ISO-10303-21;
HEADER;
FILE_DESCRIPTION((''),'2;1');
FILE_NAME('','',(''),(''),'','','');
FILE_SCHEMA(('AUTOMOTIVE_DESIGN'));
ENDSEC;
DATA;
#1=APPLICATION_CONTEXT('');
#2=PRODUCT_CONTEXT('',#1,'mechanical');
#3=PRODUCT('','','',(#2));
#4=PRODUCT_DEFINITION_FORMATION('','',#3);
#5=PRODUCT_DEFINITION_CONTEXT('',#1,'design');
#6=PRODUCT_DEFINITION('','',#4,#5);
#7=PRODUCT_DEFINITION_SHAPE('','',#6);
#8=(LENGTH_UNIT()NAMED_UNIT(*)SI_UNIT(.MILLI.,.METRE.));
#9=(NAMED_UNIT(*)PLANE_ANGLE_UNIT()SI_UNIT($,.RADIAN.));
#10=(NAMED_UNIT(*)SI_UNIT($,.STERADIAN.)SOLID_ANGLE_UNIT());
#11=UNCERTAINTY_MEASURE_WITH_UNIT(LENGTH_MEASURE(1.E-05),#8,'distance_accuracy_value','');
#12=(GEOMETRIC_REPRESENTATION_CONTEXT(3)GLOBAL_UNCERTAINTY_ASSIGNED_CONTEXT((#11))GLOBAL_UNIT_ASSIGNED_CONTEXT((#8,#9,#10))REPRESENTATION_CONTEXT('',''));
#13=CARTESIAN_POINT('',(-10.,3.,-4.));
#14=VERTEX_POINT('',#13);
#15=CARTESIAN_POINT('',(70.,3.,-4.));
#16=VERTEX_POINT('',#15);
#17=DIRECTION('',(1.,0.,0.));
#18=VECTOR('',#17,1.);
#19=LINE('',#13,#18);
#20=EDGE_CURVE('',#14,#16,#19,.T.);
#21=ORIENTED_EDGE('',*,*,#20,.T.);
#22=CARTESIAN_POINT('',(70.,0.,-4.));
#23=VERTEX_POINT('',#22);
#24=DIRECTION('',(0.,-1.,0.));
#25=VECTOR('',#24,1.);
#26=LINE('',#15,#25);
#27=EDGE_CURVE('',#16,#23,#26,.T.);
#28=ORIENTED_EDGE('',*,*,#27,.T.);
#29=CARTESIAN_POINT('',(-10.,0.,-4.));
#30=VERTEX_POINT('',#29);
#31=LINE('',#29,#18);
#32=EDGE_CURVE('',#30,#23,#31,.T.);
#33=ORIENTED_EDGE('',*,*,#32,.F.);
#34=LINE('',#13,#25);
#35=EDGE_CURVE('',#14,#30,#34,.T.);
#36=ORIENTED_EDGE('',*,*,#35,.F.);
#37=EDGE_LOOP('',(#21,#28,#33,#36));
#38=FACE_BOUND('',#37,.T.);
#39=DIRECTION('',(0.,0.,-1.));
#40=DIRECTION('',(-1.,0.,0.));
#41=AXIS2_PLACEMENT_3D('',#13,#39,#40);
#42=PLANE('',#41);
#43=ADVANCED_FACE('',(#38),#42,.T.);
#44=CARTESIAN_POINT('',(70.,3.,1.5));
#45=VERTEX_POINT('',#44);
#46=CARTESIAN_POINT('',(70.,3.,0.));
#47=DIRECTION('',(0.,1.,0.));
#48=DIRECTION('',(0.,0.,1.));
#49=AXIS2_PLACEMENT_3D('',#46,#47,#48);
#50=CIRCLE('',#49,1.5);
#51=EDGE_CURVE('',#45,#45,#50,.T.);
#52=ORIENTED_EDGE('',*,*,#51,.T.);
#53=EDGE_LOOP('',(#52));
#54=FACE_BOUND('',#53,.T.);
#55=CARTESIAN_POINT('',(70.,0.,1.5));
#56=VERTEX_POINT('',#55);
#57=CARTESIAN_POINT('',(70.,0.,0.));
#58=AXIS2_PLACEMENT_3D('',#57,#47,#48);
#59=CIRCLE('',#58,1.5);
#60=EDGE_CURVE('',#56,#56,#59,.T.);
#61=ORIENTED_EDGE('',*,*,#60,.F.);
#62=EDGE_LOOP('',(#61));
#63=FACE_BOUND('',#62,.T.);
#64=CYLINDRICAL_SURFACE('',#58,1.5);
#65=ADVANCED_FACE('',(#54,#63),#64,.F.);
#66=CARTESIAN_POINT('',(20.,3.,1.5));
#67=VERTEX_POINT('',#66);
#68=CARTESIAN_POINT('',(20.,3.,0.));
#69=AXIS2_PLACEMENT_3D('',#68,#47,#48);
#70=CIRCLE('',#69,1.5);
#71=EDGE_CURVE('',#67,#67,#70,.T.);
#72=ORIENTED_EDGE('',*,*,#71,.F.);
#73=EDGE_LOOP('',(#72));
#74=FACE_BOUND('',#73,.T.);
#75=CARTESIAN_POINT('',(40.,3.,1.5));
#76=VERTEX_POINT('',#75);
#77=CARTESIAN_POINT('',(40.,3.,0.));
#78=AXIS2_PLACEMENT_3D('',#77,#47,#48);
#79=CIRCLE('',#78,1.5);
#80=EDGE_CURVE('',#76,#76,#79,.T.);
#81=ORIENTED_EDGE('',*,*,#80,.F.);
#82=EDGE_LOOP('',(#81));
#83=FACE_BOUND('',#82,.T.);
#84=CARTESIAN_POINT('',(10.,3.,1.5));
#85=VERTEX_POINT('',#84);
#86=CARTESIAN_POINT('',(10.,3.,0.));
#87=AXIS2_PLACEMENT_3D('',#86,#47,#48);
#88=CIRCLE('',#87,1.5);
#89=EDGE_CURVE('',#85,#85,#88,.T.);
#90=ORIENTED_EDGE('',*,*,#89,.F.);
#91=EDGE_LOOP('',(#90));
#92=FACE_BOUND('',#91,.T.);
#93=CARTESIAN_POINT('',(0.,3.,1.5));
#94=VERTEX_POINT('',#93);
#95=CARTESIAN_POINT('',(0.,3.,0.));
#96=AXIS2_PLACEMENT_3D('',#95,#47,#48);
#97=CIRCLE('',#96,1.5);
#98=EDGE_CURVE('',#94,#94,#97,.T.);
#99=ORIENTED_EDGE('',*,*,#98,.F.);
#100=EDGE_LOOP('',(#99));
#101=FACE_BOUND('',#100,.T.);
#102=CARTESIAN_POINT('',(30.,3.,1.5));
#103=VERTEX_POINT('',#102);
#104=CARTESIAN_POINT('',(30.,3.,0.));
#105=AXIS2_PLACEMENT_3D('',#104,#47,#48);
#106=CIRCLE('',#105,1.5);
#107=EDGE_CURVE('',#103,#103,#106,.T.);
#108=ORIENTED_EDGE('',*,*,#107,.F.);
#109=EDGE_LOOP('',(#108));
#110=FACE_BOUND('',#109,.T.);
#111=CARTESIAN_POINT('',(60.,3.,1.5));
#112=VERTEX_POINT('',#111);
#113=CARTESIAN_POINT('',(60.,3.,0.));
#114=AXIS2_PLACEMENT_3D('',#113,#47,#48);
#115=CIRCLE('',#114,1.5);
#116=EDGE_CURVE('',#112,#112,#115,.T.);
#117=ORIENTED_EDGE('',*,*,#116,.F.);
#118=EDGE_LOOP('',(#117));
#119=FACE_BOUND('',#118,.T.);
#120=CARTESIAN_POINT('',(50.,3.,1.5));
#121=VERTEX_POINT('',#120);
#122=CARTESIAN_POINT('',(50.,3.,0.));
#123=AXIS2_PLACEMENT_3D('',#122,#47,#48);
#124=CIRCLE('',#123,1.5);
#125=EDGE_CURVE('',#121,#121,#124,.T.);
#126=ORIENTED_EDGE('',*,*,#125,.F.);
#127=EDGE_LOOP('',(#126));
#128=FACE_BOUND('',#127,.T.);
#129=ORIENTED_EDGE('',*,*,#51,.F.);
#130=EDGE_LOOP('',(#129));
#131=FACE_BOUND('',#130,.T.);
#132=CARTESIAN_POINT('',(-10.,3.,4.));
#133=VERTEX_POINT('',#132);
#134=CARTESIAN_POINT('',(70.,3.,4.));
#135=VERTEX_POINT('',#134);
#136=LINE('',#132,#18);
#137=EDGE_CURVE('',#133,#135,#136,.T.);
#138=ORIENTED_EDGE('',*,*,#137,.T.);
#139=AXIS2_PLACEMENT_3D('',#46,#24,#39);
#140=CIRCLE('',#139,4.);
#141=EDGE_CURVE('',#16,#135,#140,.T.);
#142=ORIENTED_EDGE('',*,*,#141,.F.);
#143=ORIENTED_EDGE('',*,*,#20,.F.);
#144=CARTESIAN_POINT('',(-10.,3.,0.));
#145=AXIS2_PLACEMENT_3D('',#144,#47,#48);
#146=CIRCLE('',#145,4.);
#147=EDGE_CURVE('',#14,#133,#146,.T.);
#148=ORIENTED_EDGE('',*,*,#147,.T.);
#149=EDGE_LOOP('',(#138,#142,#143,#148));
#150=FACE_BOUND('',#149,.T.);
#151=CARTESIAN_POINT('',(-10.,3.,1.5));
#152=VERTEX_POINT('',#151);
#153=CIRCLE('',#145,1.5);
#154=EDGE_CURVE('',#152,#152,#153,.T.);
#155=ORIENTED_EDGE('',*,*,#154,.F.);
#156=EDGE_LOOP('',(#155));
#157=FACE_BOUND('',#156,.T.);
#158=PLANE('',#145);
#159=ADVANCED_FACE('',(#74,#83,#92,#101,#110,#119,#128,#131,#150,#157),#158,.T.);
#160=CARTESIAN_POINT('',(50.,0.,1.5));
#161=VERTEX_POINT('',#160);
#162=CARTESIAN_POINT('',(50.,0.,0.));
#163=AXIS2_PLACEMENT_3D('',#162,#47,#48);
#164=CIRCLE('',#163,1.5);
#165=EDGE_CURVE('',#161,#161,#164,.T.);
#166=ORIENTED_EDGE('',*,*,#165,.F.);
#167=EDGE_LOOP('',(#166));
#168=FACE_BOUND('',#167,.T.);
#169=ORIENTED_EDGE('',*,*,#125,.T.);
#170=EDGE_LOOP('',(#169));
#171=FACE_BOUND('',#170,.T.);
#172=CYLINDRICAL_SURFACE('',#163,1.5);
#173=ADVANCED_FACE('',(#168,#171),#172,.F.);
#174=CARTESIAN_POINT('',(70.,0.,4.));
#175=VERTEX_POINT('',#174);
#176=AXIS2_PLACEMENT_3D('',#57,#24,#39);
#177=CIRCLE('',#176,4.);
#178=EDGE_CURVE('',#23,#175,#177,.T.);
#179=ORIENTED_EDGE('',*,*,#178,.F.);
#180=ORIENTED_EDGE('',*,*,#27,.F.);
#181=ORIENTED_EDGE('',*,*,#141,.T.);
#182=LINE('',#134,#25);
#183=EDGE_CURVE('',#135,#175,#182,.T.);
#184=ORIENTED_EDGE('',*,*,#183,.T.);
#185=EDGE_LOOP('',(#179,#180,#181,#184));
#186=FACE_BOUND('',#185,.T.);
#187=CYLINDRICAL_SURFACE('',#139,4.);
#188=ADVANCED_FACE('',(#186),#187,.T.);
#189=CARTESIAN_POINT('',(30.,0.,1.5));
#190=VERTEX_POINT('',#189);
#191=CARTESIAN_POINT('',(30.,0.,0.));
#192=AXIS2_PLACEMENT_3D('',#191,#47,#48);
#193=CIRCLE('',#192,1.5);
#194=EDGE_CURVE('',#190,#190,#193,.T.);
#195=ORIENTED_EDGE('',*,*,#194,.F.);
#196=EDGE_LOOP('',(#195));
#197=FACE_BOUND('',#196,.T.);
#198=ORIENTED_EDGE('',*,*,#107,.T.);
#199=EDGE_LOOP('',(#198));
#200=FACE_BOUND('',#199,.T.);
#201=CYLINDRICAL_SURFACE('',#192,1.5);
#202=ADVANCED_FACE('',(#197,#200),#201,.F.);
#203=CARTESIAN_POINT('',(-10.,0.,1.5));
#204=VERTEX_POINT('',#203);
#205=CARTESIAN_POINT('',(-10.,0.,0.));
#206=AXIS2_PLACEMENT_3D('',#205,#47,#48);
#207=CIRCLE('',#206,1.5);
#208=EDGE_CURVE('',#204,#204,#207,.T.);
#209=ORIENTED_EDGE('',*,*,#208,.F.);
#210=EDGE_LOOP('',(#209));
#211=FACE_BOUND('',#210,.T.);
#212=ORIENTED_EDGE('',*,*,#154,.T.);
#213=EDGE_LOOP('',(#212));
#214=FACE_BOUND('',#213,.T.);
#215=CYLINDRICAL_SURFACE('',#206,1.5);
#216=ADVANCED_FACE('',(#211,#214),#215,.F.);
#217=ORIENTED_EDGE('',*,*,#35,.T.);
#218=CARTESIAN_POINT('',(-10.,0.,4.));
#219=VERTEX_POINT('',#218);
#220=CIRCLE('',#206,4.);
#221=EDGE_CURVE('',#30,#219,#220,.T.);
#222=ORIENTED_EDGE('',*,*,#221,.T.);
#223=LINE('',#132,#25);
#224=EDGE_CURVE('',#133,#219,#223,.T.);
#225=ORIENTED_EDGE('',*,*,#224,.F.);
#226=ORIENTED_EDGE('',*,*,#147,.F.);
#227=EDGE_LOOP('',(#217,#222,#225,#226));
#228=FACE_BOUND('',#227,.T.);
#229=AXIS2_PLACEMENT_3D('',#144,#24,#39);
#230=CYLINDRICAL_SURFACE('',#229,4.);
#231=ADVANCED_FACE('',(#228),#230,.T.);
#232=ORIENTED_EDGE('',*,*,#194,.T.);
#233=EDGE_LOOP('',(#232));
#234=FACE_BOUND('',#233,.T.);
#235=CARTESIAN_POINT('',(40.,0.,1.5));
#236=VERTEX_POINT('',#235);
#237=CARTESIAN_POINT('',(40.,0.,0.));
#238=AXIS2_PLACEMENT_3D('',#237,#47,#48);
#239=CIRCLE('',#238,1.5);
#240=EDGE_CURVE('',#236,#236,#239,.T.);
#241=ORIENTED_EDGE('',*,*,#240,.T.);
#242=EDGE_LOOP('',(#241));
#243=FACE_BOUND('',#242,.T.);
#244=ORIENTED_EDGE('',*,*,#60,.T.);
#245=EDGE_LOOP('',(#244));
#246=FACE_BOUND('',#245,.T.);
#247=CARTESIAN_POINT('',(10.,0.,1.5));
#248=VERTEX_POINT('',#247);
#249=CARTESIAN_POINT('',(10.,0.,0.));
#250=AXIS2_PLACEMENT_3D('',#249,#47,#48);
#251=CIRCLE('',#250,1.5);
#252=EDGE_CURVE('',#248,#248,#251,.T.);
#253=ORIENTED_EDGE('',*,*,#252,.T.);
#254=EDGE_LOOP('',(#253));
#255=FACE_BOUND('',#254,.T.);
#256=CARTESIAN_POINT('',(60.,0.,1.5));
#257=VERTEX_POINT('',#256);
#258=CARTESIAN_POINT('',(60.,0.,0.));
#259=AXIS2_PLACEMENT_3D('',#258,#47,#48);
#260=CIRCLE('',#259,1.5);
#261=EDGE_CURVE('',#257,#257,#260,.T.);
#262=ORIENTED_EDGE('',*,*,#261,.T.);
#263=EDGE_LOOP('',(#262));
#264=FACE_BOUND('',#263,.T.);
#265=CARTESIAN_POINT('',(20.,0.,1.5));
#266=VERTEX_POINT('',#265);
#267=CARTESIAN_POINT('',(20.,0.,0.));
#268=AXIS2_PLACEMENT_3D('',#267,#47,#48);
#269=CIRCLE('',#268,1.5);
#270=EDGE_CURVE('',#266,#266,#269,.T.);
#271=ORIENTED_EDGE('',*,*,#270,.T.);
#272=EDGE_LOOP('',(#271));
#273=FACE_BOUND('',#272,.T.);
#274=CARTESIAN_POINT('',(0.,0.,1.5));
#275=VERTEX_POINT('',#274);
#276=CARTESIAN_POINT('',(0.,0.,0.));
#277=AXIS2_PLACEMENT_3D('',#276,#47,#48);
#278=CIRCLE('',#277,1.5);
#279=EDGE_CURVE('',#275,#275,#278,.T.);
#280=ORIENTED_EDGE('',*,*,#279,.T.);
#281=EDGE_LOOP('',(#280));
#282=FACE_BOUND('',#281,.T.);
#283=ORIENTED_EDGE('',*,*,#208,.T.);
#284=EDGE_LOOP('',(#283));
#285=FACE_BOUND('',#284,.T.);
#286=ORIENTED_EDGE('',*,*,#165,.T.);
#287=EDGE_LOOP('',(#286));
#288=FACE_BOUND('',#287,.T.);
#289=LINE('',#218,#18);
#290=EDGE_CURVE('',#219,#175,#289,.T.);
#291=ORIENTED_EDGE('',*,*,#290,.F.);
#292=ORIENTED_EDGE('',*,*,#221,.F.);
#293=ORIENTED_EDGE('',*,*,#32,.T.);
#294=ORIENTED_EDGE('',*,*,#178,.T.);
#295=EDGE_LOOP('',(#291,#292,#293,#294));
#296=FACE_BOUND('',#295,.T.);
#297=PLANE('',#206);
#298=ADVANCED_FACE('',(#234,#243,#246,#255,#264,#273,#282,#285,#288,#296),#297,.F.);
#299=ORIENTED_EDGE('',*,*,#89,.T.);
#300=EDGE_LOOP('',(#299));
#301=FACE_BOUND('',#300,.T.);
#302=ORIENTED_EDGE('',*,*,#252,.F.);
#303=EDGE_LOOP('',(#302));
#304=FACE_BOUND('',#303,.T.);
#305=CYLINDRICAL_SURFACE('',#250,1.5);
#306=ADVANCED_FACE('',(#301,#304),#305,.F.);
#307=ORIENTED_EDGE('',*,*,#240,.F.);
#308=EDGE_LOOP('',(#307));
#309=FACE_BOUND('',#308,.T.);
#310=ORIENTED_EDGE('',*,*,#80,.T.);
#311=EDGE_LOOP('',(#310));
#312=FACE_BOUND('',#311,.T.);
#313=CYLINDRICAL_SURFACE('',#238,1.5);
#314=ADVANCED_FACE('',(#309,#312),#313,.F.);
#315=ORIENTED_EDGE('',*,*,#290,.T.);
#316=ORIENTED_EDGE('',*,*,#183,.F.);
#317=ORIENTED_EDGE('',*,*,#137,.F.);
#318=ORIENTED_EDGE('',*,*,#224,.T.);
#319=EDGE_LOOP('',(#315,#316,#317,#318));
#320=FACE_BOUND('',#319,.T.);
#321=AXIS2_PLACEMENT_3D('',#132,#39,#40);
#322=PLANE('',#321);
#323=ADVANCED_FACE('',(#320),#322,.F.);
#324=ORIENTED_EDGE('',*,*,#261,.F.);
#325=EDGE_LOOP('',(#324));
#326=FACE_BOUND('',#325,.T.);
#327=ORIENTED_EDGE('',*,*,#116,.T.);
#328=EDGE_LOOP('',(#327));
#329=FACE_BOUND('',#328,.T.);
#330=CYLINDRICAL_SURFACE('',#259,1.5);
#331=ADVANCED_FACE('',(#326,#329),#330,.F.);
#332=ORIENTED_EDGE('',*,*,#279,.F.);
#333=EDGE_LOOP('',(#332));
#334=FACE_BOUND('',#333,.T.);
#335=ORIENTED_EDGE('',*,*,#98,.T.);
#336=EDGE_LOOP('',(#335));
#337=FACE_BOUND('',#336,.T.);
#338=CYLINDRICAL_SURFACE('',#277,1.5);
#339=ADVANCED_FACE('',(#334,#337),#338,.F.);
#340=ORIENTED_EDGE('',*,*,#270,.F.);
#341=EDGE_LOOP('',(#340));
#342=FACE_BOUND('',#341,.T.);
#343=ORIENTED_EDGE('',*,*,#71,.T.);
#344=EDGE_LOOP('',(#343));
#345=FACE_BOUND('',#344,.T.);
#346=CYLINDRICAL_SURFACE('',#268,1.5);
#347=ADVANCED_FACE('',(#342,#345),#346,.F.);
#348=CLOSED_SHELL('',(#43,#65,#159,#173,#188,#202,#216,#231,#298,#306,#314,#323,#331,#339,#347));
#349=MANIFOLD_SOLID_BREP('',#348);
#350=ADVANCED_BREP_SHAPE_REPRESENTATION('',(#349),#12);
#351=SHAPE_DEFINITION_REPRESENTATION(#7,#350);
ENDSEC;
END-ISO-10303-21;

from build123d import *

# Parameters (mm, degrees)
OUTER_BODY_DEPTH = 3
SKETCH8_R        = 1.5
HOLES_DEPTH      = 75.168726563


with BuildPart() as part:
    # Sketch1 → Outer Body (new body)
    with BuildSketch(Plane(origin=(0, 0, 0), x_dir=(1, 0, 0), z_dir=(0, 1, 0))):
        with BuildLine():
            Line((-10, 4), (70, 4))
            ThreePointArc((70, 4), (74, 0), (70, -4))
            Line((70, -4), (-10, -4))
            ThreePointArc((-10, -4), (-14, 0), (-10, 4))
        make_face()
    extrude(amount=OUTER_BODY_DEPTH)

    # Sketch8 → Holes (cut, through all)
    with BuildSketch(Plane(origin=(0, 3, 0), x_dir=(1, 0, 0), z_dir=(0, 1, 0))):
        with Locations(Location((-10, 0, 0), (0, 0, 270))):
            Circle(SKETCH8_R)
        with Locations(Location((0, 0, 0), (0, 0, 270))):
            Circle(SKETCH8_R)
        with Locations(Location((50, 0, 0), (0, 0, 270))):
            Circle(SKETCH8_R)
        with Locations(Location((70, 0, 0), (0, 0, 270))):
            Circle(SKETCH8_R)
        with Locations(Location((60, 0, 0), (0, 0, 270))):
            Circle(SKETCH8_R)
        with Locations(Location((10, 0, 0), (0, 0, 270))):
            Circle(SKETCH8_R)
        with Locations(Location((20, 0, 0), (0, 0, 270))):
            Circle(SKETCH8_R)
        with Locations(Location((30, 0, 0), (0, 0, 270))):
            Circle(SKETCH8_R)
        with Locations(Location((40, 0, 0), (0, 0, 270))):
            Circle(SKETCH8_R)
    extrude(amount=-HOLES_DEPTH, mode=Mode.SUBTRACT)


solid = part.part
